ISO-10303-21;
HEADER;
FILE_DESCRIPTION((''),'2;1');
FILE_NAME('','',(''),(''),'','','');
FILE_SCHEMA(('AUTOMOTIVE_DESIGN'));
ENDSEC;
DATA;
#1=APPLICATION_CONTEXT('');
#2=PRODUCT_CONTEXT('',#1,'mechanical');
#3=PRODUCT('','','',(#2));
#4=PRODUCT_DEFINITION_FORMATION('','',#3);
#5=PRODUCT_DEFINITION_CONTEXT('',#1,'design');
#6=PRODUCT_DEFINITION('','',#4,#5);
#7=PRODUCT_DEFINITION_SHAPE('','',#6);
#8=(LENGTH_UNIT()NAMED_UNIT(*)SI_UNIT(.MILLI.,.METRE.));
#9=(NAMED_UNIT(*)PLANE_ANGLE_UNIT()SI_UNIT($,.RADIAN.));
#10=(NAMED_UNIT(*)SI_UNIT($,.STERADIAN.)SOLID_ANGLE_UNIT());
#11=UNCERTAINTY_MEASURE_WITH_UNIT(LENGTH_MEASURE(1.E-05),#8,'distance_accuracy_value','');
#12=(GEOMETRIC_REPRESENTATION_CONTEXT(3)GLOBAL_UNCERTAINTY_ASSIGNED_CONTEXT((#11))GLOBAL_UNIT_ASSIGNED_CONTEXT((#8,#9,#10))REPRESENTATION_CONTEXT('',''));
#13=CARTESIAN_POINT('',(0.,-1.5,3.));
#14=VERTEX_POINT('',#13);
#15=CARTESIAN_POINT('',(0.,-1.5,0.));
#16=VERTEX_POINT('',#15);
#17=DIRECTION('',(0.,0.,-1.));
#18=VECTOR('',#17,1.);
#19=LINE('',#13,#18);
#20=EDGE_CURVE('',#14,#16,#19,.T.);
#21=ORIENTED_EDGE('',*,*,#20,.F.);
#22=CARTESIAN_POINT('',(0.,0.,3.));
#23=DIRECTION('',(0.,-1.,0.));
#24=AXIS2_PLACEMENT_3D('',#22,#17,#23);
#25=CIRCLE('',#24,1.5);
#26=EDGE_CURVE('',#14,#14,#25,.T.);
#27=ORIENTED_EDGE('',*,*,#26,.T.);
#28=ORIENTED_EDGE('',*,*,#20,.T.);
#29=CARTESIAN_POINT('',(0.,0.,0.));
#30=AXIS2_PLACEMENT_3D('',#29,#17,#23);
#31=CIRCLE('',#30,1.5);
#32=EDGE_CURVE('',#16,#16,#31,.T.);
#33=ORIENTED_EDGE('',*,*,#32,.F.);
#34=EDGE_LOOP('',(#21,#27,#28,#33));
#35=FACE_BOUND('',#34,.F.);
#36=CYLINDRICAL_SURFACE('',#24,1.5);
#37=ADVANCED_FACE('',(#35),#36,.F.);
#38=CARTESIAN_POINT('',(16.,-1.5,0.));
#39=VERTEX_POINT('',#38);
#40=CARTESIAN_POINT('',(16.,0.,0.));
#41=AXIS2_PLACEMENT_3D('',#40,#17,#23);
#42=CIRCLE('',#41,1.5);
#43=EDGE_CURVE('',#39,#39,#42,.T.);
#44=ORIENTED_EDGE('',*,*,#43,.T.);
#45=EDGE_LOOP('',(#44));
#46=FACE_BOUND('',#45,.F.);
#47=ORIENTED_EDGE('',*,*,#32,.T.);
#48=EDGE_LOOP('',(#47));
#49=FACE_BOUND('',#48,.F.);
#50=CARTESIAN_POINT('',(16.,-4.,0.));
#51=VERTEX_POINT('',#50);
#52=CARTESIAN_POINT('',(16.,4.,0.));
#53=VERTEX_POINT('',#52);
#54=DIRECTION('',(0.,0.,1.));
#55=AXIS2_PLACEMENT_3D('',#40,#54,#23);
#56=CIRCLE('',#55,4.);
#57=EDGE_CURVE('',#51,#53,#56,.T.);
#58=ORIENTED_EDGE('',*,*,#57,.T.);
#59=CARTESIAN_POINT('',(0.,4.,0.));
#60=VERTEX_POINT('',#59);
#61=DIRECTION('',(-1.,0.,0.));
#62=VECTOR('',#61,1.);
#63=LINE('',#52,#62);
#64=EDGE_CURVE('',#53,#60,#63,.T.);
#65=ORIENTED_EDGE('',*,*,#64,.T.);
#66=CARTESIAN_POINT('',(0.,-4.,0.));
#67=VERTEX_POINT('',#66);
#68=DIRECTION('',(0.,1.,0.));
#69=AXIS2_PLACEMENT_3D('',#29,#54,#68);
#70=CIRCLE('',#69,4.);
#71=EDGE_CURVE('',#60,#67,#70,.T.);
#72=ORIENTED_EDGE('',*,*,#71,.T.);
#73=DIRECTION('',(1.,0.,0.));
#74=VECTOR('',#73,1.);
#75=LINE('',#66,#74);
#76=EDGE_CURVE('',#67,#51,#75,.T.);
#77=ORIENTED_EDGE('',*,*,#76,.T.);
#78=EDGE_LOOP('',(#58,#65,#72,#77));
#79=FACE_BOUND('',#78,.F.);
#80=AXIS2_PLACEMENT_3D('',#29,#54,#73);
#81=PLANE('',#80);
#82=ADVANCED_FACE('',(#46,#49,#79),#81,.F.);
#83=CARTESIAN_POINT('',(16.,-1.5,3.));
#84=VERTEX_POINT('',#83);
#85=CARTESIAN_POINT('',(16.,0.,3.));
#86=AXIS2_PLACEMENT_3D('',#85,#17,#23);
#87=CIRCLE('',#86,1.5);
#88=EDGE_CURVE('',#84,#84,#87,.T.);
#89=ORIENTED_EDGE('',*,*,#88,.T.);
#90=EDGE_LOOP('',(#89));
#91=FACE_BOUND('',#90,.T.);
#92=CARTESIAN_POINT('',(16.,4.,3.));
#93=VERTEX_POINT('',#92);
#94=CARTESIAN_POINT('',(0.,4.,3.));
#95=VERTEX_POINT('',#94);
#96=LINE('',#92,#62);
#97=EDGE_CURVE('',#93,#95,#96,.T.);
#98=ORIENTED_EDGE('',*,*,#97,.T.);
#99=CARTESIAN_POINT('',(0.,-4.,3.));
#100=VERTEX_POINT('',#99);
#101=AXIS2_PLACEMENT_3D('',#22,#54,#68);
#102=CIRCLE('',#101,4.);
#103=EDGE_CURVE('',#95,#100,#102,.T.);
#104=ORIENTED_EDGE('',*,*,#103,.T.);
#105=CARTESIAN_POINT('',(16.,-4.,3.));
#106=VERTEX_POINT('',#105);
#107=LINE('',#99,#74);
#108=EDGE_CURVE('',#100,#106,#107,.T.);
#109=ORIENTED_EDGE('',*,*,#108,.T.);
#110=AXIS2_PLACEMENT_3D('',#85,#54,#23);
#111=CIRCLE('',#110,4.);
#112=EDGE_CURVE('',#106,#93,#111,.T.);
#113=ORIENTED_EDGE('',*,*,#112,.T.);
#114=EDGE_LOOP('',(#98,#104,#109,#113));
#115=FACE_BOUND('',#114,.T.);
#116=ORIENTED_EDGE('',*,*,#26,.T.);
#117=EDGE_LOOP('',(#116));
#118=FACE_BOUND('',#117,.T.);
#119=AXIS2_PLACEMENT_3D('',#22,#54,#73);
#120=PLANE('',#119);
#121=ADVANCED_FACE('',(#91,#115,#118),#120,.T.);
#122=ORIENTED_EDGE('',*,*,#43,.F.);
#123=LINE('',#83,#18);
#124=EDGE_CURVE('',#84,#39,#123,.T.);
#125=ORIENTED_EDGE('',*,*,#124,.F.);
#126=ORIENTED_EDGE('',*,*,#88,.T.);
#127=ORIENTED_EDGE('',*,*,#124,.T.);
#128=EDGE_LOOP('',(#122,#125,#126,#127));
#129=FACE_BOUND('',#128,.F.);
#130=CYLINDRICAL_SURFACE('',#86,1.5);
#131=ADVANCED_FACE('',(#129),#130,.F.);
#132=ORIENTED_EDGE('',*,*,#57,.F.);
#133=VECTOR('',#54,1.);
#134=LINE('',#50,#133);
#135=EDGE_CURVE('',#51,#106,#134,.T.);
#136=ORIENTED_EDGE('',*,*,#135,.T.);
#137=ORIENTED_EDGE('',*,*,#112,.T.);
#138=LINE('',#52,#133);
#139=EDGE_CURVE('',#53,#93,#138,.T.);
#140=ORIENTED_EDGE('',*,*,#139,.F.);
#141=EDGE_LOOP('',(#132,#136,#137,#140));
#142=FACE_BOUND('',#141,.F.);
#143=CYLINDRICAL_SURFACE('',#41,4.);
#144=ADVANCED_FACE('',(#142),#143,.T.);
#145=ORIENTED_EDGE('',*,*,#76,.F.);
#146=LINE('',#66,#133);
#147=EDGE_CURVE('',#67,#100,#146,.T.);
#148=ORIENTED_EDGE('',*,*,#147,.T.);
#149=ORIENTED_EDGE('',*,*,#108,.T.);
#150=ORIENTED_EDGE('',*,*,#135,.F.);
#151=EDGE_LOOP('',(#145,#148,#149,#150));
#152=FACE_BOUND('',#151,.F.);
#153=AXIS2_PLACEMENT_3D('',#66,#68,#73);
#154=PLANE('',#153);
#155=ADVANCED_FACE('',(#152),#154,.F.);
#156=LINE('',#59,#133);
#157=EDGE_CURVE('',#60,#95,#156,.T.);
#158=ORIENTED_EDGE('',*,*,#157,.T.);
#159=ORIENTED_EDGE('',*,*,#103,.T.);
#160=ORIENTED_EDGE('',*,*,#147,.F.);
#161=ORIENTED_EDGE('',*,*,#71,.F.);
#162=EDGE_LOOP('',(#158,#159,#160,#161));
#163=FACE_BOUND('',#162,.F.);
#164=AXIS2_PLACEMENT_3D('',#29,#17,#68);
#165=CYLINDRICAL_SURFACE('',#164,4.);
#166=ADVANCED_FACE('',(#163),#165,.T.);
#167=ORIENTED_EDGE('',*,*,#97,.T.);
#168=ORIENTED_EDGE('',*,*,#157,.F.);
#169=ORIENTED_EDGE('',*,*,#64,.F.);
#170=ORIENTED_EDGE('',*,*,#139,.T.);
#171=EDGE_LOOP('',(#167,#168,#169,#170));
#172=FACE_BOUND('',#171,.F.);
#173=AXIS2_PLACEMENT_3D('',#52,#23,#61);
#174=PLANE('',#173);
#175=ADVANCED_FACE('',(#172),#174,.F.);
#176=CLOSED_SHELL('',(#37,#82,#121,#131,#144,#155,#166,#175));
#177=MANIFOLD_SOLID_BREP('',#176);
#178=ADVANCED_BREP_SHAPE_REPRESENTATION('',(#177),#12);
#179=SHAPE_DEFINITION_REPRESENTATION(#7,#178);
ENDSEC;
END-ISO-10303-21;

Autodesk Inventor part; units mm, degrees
ref_plane "YZ Plane" through (0, 0, 0) normal (1, 0, 0) x (0, 1, 0)
ref_plane "XZ Plane" through (0, 0, 0) normal (0, 1, 0) x (-1, 0, 0)
ref_plane "XY Plane" through (0, 0, 0) normal (0, 0, 1) x (1, 0, 0)
sketch "Sketch1" plane through (0, 0, 0) normal (0, 0, 1) x (1, 0, 0)
  line L0 (0, 0) -> (16, 0) construction
  line L1 (0, -4) -> (16, -4)
  line L2 (16, 4) -> (0, 4)
  arc A0 (0, 4) -> (0, -4) centre (0, 0) ccw
  arc A1 (16, -4) -> (16, 4) centre (16, 0) ccw
  point P0 (8, 0)
  dimension "d0" = 16
  dimension "d1" = 8
extrude "Extrusion1" add sketch "Sketch1" along normal blind 3
sketch "Sketch2" plane through (0, 0, 3) normal (0, 0, 1) x (1, 0, 0)
  circle A0 centre (0, 0) radius 1.5
  arc A1 (16, -4) -> (16, 4) centre (16, 0) ccw projected
  circle A2 centre (16, 0) radius 1.5
  dimension "d4" = 3
  dimension "d5" = 3
hole "Hole1" at (0, 0, 3) at (16, 0, 3) direction (0, 0, -1) diameter 3 end through all
equation "\"d6\" = d4"
properties part number "Gripper_Link" material "Aluminum 6061"
